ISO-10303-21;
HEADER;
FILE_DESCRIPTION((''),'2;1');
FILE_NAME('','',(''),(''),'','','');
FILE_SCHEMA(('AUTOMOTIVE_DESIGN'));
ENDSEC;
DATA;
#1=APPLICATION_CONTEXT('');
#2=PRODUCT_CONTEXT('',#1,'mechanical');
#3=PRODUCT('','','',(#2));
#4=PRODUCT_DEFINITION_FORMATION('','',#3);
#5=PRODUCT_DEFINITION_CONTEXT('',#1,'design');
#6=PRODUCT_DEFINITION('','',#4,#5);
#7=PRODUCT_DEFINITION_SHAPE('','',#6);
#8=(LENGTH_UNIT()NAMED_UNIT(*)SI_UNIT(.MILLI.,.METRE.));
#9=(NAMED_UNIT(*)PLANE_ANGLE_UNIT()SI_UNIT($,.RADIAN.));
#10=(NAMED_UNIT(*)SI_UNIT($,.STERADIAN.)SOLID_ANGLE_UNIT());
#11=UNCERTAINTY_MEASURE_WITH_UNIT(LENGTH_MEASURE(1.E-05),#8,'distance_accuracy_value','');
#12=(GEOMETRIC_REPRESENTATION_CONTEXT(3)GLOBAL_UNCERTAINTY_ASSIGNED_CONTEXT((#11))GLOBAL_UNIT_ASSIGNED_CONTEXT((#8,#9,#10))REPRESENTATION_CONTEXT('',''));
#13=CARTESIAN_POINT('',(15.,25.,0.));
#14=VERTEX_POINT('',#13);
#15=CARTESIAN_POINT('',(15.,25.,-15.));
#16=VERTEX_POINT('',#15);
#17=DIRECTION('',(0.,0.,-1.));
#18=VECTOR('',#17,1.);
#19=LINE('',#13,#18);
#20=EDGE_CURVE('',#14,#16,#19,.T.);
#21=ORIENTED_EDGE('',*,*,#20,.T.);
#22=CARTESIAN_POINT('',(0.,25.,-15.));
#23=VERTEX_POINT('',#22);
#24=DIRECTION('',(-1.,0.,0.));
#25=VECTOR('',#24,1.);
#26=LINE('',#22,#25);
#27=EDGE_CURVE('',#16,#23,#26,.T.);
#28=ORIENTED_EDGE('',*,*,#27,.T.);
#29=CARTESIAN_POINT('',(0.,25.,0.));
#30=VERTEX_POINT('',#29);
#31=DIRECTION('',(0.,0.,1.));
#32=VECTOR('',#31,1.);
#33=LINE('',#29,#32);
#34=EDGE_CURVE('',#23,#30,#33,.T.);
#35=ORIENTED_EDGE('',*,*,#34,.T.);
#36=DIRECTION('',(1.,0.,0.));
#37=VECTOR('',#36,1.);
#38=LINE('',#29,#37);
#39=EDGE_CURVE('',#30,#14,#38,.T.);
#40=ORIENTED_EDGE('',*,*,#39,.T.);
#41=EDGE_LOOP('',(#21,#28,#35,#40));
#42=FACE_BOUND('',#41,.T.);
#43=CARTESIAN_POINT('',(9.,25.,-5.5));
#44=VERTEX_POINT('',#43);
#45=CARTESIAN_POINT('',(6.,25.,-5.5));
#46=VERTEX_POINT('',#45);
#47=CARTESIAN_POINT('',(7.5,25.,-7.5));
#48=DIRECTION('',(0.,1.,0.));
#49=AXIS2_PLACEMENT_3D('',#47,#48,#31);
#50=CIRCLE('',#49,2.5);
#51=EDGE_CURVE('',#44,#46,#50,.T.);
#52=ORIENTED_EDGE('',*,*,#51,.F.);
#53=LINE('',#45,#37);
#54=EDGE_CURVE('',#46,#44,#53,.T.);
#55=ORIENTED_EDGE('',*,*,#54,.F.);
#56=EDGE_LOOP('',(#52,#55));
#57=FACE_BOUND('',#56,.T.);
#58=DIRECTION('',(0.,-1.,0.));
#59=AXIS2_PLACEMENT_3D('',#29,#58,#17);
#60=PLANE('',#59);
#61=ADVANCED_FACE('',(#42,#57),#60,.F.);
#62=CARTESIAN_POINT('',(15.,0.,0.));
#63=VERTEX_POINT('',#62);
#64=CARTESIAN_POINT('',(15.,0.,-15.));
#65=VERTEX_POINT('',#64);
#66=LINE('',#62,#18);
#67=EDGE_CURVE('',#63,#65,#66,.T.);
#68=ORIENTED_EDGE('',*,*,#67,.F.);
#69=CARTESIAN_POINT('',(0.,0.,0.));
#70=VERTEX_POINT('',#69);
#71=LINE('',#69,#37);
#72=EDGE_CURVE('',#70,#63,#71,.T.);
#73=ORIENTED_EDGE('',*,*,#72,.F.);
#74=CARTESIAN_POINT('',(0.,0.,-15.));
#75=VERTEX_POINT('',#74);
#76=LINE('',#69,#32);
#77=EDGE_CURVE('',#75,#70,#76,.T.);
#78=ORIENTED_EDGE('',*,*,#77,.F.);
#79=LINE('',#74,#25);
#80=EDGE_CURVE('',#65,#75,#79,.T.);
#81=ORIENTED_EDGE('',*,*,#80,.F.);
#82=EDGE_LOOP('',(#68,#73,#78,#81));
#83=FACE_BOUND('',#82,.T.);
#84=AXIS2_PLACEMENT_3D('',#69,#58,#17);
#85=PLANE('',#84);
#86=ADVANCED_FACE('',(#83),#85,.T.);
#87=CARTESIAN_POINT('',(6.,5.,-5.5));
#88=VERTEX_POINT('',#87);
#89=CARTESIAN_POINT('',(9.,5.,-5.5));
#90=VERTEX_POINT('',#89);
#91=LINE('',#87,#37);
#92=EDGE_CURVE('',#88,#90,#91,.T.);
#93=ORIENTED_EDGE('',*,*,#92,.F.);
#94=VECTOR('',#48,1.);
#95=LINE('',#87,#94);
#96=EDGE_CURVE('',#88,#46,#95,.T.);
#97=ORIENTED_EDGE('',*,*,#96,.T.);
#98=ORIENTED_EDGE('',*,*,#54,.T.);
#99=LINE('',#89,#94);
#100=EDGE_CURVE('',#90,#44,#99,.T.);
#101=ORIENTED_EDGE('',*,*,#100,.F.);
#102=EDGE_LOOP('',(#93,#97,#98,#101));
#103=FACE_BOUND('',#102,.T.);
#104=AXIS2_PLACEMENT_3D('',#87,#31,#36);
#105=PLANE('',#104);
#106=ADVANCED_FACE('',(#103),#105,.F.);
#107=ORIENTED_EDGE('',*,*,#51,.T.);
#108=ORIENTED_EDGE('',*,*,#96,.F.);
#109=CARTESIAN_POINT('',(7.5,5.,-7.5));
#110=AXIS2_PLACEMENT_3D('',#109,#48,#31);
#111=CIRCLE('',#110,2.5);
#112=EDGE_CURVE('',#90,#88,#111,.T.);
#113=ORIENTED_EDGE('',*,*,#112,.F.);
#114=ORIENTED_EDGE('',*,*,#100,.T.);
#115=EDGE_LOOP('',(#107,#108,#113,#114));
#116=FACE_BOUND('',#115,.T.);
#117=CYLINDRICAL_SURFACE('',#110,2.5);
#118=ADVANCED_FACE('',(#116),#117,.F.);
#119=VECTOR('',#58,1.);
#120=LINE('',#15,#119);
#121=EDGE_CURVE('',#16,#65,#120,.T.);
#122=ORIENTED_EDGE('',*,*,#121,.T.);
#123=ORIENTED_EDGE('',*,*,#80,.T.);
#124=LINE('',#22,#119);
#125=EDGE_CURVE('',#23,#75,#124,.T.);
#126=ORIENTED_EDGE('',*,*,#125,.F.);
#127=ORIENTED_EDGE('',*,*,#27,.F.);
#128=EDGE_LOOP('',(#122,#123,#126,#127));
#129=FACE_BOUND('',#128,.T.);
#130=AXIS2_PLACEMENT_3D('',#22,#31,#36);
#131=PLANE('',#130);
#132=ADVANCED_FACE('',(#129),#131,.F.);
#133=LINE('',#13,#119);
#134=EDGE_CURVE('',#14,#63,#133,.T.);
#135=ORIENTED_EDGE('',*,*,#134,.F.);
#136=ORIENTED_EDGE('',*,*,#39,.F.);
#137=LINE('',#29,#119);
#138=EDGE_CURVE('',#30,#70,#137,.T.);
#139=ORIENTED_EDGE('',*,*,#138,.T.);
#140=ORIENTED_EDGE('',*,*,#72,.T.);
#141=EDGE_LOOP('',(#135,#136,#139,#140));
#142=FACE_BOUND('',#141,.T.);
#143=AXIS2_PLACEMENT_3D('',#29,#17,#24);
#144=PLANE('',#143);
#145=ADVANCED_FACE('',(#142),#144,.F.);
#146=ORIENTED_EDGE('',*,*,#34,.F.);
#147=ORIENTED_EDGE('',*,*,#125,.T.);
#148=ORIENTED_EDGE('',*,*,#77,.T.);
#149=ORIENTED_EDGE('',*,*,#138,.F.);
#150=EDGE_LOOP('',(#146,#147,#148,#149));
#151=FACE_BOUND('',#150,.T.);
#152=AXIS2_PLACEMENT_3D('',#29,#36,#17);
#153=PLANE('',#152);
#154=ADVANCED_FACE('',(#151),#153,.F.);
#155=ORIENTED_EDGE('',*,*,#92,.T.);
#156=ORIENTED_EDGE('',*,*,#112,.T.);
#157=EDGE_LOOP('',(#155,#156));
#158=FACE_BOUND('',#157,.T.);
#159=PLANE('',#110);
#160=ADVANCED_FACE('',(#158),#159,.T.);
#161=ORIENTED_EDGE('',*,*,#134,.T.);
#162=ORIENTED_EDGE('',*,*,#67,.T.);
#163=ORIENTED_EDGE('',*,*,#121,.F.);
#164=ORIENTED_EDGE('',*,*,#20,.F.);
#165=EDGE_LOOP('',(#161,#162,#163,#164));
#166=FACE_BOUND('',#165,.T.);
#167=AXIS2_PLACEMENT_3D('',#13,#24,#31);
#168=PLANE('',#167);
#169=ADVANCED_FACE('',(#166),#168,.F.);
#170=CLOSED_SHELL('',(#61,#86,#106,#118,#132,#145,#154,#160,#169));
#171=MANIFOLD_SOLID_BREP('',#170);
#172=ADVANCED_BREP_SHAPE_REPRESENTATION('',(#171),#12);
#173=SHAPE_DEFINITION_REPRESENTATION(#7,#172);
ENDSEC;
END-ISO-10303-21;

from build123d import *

# Parameters (mm, degrees)
SKETCH1_W           = 15
SKETCH1_H           = 15
BOSS_EXTRUDE1_DEPTH = 25
CUT_EXTRUDE1_DEPTH  = 20


with BuildPart() as part:
    # Sketch1 → Boss-Extrude1 (new body)
    with BuildSketch(Plane(origin=(0, 0, 0), x_dir=(1, 0, 0), z_dir=(0, 1, 0))):
        with Locations((7.5, 7.5)):
            Rectangle(SKETCH1_W, SKETCH1_H)
    extrude(amount=BOSS_EXTRUDE1_DEPTH)

    # Sketch2 → Cut-Extrude1 (cut)
    with BuildSketch(Plane(origin=(0, 25, 0), x_dir=(1, 0, 0), z_dir=(0, 1, 0))):
        with BuildLine():
            Line((6, 5.5), (9, 5.5))
            ThreePointArc((9, 5.5), (7.5, 10), (6, 5.5))
        make_face()
    extrude(amount=-CUT_EXTRUDE1_DEPTH, mode=Mode.SUBTRACT)


solid = part.part
